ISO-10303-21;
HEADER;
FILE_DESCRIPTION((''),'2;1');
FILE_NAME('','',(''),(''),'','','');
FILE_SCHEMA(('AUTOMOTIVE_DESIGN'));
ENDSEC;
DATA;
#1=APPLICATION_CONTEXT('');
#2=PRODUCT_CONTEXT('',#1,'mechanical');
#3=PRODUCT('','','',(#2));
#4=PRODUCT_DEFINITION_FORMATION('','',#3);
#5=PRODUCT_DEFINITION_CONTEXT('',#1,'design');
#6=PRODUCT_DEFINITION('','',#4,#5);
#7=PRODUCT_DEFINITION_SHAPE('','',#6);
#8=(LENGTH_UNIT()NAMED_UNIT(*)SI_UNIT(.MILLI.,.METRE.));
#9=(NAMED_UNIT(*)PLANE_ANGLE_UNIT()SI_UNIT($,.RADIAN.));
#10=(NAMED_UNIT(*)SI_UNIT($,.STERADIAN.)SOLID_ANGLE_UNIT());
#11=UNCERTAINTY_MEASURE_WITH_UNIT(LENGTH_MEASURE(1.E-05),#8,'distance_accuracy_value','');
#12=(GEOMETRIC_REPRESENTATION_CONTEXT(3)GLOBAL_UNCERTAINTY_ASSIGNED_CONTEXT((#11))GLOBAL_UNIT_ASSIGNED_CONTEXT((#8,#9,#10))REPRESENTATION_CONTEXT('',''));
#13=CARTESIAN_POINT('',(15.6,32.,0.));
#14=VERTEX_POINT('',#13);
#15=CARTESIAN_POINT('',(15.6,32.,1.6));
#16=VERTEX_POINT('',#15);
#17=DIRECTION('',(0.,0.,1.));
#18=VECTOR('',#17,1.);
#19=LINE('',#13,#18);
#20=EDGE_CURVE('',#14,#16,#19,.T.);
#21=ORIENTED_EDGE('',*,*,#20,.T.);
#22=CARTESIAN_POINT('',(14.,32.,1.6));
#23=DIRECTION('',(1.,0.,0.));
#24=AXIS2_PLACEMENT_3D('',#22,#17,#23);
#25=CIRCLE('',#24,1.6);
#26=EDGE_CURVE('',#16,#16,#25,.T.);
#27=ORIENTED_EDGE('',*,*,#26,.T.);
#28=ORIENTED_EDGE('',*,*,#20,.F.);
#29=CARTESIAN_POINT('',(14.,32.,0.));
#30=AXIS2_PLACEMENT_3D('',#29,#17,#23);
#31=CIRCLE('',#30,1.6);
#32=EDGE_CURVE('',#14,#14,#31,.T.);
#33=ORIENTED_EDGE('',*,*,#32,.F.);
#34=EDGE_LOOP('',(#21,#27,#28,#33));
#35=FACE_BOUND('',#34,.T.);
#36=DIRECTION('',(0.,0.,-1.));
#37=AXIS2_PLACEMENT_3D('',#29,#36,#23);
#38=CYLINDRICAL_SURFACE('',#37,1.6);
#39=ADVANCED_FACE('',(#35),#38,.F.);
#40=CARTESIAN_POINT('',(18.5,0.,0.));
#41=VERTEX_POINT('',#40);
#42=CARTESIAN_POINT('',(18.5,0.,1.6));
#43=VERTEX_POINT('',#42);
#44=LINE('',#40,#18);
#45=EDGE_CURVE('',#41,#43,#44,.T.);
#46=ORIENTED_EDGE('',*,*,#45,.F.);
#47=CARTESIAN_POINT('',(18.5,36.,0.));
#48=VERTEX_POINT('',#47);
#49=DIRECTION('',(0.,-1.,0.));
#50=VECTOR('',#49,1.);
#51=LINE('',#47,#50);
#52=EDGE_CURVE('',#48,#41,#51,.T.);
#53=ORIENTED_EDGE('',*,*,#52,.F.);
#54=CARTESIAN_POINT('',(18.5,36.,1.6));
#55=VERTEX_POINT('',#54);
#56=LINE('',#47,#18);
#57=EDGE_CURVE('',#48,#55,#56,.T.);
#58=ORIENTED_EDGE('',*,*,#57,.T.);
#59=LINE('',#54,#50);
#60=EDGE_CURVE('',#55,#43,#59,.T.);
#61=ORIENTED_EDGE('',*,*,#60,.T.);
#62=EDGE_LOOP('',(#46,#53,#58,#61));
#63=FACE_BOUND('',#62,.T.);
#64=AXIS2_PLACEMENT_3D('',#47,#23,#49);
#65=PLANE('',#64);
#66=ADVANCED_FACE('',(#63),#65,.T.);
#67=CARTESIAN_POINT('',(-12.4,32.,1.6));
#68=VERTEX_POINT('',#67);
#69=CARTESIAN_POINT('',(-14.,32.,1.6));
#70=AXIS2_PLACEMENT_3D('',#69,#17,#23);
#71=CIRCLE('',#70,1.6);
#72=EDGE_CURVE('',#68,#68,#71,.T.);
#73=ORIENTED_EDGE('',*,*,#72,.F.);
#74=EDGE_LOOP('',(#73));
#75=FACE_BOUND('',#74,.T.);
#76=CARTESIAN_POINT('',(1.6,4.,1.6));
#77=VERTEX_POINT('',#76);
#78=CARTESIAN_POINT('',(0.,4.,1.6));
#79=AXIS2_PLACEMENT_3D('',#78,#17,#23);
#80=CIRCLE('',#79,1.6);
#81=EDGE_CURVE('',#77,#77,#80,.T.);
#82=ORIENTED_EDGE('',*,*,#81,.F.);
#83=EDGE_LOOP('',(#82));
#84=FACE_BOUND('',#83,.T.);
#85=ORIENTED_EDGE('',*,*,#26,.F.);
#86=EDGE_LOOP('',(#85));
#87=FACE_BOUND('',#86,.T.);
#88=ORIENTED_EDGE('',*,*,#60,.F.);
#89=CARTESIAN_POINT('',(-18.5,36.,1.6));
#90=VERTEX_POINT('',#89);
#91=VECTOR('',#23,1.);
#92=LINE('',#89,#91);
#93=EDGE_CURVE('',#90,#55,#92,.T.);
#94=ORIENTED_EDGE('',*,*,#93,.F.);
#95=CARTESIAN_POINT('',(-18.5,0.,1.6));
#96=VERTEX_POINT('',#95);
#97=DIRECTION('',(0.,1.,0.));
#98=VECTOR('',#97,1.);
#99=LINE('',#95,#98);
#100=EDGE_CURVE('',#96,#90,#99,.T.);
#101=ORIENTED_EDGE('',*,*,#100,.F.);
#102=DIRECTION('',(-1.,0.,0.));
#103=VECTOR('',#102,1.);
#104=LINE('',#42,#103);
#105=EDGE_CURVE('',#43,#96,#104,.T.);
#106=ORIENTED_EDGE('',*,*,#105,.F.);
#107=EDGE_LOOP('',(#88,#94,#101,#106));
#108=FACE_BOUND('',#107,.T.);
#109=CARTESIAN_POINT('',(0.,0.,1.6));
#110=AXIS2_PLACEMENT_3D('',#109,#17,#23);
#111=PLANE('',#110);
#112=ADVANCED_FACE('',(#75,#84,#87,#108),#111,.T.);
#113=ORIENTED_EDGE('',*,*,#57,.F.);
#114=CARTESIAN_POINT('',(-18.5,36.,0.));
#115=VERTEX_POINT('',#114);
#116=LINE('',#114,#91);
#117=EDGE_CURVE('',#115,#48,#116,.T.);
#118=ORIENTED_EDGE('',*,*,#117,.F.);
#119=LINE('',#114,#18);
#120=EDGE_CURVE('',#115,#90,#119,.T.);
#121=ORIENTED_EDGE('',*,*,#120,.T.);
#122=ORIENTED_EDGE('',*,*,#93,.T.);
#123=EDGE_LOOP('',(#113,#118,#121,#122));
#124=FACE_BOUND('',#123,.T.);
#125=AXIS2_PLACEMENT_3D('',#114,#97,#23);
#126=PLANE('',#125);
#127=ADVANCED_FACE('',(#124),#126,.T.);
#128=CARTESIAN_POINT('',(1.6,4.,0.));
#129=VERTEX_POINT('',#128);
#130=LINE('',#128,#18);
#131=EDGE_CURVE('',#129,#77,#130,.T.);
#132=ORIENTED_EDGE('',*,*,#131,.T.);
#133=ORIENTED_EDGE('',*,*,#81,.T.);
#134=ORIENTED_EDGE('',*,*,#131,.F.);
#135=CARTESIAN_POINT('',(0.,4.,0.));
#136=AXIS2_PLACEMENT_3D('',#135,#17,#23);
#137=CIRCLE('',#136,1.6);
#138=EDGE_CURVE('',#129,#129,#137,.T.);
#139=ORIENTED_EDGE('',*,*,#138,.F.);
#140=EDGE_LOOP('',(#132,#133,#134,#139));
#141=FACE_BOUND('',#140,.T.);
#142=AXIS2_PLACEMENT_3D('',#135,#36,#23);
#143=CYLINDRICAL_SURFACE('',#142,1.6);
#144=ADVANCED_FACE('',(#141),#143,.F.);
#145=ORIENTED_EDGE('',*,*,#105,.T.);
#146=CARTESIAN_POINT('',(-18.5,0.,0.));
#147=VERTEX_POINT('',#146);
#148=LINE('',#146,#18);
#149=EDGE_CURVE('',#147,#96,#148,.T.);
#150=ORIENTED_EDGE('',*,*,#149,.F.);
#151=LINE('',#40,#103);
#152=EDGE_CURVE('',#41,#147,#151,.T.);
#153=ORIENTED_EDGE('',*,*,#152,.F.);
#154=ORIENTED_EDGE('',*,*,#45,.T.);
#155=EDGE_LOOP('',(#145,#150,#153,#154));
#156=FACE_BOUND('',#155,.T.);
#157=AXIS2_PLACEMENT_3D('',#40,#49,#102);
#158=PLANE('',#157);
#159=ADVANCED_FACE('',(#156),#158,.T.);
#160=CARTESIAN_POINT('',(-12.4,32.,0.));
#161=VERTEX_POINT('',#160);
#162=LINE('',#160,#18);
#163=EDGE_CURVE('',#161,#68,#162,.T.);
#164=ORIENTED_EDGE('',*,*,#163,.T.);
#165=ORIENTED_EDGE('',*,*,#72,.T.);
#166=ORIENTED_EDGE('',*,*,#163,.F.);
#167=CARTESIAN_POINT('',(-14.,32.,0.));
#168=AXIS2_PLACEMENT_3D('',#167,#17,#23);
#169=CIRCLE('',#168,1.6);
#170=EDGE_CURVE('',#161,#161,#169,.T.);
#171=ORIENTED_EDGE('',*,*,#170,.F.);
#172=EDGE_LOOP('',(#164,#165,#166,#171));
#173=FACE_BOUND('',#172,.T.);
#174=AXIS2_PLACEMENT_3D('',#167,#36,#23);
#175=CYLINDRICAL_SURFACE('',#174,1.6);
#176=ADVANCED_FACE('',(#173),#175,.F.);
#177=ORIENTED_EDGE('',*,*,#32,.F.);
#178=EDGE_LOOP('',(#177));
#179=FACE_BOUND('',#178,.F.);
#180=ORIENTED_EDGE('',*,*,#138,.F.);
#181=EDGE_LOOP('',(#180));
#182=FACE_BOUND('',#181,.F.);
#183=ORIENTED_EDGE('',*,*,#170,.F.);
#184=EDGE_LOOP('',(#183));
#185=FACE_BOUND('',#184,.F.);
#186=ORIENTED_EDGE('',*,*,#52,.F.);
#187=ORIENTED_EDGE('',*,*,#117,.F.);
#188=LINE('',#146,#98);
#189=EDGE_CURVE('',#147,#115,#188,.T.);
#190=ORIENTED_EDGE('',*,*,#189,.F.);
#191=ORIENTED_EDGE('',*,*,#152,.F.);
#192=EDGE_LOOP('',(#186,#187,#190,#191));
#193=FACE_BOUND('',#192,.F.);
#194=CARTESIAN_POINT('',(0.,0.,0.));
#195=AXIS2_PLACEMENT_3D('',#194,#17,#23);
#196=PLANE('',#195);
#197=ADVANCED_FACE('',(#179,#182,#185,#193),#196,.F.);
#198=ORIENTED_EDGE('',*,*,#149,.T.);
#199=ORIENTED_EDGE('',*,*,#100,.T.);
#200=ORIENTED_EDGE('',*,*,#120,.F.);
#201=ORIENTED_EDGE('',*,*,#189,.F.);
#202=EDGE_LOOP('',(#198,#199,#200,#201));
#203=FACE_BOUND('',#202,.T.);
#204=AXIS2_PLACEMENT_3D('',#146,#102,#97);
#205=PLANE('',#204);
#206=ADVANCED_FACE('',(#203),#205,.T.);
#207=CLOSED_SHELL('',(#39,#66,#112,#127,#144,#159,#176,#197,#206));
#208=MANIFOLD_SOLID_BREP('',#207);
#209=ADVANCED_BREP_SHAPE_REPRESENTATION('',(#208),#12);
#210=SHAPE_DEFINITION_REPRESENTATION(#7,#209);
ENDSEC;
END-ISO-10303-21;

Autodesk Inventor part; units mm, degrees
ref_plane "YZ Plane" through (0, 0, 0) normal (1, 0, 0) x (0, 1, 0)
ref_plane "XZ Plane" through (0, 0, 0) normal (0, 1, 0) x (-1, 0, 0)
ref_plane "XY Plane" through (0, 0, 0) normal (0, 0, 1) x (1, 0, 0)
sketch "スケッチ1" plane through (0, 0, 0) normal (0, 0, 1) x (1, 0, 0)
  line L0 (-18.5, 36) -> (18.5, 36)
  line L1 (18.5, 36) -> (18.5, 0)
  line L2 (18.5, 0) -> (-18.5, 0)
  line L3 (-18.5, 0) -> (-18.5, 36)
  circle A0 centre (0, 4) radius 1.6
  circle A1 centre (14, 32) radius 1.6
  circle A2 centre (-14, 32) radius 1.6
  line L4 (0, 42.25) -> (0, -4.7356) construction
  point P0 (0, 0)
  point P1 (0, 0)
  dimension "d0" = 37
  dimension "d1" = 36
  dimension "d2" = 3.2
  dimension "d3" = 4
  dimension "d4" = 4
  dimension "d5" = 4.5
extrude "押し出し1" add sketch "スケッチ1" along normal blind 1.6
properties part number "PCB-EncoderMain"
